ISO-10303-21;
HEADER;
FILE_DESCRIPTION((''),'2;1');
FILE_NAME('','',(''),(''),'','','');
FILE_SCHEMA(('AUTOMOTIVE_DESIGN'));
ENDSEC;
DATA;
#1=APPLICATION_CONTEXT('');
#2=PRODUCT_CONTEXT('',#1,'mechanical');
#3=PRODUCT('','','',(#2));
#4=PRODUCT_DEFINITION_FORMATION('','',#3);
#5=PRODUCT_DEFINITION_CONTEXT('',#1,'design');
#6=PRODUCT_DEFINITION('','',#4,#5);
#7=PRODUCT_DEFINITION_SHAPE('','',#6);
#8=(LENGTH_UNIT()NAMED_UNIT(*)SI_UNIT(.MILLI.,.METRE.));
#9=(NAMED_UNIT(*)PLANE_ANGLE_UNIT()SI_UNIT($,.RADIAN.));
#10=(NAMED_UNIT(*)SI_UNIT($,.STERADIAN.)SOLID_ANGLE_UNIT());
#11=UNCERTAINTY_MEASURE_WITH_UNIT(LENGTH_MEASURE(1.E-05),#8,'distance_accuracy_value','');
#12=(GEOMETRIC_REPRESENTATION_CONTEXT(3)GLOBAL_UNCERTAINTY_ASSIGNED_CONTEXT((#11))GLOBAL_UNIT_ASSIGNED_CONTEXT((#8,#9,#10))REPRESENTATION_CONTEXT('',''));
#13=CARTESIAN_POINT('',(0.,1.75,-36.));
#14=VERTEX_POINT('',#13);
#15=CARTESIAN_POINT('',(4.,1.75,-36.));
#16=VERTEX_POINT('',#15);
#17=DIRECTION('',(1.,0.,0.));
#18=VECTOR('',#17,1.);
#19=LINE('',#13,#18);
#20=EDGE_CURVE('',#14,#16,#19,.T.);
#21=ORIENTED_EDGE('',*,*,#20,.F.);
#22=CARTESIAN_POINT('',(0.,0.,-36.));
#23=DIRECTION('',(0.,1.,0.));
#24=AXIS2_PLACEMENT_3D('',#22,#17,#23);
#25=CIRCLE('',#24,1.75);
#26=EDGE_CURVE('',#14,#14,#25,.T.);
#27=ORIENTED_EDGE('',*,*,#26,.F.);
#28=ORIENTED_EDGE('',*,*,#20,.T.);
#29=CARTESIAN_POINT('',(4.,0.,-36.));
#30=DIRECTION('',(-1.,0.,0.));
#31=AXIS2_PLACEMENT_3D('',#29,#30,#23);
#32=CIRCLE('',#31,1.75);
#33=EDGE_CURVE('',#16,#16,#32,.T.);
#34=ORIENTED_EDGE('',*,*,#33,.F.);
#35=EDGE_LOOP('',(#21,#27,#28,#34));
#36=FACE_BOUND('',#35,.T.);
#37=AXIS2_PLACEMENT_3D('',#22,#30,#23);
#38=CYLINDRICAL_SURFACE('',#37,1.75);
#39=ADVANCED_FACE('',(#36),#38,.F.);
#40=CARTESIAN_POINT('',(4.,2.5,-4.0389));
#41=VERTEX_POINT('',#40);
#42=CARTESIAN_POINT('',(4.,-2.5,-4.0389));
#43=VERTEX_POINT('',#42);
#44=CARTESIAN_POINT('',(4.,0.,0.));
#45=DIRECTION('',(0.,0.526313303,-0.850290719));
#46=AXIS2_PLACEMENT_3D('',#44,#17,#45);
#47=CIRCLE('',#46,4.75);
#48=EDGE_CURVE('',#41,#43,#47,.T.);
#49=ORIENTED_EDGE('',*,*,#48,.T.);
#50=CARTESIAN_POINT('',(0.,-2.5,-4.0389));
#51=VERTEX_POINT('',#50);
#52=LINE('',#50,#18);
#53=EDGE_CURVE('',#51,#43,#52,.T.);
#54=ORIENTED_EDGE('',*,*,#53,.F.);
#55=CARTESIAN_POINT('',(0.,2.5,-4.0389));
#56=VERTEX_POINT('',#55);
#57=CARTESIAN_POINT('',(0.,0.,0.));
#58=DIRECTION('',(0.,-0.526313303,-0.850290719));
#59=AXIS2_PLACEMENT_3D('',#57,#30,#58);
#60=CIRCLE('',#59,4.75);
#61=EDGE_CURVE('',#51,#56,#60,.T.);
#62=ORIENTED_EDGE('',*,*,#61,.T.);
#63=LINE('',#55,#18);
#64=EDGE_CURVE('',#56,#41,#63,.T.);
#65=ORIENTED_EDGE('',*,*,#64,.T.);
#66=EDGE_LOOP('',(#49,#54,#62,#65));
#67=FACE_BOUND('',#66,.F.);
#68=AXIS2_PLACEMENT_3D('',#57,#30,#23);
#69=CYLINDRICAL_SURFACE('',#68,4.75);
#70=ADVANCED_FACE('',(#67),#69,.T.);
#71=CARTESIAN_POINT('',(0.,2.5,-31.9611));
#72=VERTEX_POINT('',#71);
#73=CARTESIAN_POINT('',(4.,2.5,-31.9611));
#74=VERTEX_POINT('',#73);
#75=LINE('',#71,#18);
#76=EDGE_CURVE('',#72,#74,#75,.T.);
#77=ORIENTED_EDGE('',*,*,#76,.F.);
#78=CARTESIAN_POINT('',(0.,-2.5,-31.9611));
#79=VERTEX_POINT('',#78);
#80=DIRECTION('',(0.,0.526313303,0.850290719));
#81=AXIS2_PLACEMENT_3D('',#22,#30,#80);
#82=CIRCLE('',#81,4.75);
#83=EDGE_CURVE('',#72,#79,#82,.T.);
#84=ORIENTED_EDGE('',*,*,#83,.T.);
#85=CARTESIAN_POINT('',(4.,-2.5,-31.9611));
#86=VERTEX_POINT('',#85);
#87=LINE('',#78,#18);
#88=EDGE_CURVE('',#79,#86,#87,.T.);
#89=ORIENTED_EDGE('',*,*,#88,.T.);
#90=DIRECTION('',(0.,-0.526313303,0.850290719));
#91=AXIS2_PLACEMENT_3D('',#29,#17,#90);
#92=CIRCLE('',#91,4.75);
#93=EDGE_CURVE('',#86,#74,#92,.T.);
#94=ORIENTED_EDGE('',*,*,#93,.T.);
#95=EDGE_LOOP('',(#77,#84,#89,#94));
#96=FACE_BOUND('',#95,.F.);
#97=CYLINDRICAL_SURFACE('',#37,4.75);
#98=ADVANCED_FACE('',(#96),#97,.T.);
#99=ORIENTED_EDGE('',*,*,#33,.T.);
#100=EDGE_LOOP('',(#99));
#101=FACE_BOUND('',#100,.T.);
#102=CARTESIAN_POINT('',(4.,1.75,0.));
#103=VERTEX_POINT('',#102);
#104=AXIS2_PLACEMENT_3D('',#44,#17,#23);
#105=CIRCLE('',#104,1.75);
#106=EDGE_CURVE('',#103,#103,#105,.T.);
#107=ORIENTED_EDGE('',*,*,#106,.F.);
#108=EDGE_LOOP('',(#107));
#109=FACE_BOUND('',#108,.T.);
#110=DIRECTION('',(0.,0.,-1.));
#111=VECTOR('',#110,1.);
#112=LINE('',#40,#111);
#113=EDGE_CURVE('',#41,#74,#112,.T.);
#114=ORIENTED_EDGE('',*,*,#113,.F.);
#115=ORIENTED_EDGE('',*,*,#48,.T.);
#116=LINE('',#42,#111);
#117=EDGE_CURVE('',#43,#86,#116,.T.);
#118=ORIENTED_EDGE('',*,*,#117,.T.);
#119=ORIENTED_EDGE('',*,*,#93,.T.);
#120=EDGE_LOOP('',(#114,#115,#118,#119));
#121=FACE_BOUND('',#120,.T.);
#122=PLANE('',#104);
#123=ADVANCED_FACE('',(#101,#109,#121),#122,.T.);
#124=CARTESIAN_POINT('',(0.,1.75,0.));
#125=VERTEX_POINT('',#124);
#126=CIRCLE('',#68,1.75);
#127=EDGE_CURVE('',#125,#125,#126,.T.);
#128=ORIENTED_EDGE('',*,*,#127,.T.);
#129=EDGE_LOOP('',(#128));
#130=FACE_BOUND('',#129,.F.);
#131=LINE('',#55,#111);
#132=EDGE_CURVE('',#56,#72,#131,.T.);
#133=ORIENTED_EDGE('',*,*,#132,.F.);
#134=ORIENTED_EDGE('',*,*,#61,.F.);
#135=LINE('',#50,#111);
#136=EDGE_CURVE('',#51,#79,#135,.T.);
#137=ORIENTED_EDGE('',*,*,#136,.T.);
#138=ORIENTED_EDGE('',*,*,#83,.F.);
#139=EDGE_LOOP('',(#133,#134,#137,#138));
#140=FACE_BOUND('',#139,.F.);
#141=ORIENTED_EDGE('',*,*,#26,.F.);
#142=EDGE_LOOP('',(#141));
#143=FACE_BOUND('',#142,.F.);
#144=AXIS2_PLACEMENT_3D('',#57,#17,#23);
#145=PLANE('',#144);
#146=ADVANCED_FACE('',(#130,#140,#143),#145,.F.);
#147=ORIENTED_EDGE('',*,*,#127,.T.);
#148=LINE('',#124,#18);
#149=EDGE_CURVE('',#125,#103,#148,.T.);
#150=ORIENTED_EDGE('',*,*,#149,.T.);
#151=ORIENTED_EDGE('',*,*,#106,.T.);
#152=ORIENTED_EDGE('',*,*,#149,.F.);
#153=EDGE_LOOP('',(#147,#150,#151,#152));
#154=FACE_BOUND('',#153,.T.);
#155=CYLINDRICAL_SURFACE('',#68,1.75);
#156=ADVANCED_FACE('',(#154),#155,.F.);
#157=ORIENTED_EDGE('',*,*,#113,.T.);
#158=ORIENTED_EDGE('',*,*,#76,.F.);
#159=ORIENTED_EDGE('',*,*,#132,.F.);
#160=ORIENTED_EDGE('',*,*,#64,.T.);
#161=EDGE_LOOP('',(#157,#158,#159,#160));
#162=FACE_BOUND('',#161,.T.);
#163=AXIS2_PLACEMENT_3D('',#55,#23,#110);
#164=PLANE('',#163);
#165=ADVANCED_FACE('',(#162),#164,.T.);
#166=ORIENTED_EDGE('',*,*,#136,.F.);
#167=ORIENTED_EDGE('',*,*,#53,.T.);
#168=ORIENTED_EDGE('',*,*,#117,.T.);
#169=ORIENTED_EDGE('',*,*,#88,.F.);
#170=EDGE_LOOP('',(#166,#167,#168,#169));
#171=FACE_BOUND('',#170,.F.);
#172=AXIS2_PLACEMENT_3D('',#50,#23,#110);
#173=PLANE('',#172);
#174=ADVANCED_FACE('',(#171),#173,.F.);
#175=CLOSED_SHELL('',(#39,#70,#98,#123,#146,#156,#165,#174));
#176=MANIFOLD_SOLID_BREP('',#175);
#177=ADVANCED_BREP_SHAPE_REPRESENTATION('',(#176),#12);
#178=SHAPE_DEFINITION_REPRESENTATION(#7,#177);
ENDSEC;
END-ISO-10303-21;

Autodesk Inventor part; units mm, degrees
ref_plane "YZ Plane" through (0, 0, 0) normal (1, 0, 0) x (0, 1, 0)
ref_plane "XZ Plane" through (0, 0, 0) normal (0, 1, 0) x (-1, 0, 0)
ref_plane "XY Plane" through (0, 0, 0) normal (0, 0, 1) x (1, 0, 0)
sketch "Sketch1" plane through (0, 0, 0) normal (1, 0, 0) x (0, 1, 0)
  circle A0 centre (0, 0) radius 1.75
  circle A1 centre (0, -36) radius 1.75
  line L0 (0, -49.85) -> (0, 13.85) projected
  circle A2 centre (0, 0) radius 4.75
  circle A3 centre (0, -36) radius 4.75
  line L1 (2.5, -4.0389) -> (2.5, -31.9611)
  line L2 (-2.5, -4.0389) -> (-2.5, -31.9611)
  dimension "d0" = 3.5
  dimension "d1" = 36
  dimension "d2" = 3
  dimension "d3" = 3
  dimension "d4" = 5
extrude "Extrusion1" add sketch "Sketch1" along normal blind 4 contours A0 L0 A2 | A0 L0 A2 | A2 L1 A3 L0 | L0 A3 L2 A2 | A3 L0 A1 | L0 A1 A3
equation "\"d1\" = FlipperArmConnectorLength"
equation "\"FlipperArmConnectorLength\" = 36"
properties part number "HexFlipperArmConnector" material "PETG"
